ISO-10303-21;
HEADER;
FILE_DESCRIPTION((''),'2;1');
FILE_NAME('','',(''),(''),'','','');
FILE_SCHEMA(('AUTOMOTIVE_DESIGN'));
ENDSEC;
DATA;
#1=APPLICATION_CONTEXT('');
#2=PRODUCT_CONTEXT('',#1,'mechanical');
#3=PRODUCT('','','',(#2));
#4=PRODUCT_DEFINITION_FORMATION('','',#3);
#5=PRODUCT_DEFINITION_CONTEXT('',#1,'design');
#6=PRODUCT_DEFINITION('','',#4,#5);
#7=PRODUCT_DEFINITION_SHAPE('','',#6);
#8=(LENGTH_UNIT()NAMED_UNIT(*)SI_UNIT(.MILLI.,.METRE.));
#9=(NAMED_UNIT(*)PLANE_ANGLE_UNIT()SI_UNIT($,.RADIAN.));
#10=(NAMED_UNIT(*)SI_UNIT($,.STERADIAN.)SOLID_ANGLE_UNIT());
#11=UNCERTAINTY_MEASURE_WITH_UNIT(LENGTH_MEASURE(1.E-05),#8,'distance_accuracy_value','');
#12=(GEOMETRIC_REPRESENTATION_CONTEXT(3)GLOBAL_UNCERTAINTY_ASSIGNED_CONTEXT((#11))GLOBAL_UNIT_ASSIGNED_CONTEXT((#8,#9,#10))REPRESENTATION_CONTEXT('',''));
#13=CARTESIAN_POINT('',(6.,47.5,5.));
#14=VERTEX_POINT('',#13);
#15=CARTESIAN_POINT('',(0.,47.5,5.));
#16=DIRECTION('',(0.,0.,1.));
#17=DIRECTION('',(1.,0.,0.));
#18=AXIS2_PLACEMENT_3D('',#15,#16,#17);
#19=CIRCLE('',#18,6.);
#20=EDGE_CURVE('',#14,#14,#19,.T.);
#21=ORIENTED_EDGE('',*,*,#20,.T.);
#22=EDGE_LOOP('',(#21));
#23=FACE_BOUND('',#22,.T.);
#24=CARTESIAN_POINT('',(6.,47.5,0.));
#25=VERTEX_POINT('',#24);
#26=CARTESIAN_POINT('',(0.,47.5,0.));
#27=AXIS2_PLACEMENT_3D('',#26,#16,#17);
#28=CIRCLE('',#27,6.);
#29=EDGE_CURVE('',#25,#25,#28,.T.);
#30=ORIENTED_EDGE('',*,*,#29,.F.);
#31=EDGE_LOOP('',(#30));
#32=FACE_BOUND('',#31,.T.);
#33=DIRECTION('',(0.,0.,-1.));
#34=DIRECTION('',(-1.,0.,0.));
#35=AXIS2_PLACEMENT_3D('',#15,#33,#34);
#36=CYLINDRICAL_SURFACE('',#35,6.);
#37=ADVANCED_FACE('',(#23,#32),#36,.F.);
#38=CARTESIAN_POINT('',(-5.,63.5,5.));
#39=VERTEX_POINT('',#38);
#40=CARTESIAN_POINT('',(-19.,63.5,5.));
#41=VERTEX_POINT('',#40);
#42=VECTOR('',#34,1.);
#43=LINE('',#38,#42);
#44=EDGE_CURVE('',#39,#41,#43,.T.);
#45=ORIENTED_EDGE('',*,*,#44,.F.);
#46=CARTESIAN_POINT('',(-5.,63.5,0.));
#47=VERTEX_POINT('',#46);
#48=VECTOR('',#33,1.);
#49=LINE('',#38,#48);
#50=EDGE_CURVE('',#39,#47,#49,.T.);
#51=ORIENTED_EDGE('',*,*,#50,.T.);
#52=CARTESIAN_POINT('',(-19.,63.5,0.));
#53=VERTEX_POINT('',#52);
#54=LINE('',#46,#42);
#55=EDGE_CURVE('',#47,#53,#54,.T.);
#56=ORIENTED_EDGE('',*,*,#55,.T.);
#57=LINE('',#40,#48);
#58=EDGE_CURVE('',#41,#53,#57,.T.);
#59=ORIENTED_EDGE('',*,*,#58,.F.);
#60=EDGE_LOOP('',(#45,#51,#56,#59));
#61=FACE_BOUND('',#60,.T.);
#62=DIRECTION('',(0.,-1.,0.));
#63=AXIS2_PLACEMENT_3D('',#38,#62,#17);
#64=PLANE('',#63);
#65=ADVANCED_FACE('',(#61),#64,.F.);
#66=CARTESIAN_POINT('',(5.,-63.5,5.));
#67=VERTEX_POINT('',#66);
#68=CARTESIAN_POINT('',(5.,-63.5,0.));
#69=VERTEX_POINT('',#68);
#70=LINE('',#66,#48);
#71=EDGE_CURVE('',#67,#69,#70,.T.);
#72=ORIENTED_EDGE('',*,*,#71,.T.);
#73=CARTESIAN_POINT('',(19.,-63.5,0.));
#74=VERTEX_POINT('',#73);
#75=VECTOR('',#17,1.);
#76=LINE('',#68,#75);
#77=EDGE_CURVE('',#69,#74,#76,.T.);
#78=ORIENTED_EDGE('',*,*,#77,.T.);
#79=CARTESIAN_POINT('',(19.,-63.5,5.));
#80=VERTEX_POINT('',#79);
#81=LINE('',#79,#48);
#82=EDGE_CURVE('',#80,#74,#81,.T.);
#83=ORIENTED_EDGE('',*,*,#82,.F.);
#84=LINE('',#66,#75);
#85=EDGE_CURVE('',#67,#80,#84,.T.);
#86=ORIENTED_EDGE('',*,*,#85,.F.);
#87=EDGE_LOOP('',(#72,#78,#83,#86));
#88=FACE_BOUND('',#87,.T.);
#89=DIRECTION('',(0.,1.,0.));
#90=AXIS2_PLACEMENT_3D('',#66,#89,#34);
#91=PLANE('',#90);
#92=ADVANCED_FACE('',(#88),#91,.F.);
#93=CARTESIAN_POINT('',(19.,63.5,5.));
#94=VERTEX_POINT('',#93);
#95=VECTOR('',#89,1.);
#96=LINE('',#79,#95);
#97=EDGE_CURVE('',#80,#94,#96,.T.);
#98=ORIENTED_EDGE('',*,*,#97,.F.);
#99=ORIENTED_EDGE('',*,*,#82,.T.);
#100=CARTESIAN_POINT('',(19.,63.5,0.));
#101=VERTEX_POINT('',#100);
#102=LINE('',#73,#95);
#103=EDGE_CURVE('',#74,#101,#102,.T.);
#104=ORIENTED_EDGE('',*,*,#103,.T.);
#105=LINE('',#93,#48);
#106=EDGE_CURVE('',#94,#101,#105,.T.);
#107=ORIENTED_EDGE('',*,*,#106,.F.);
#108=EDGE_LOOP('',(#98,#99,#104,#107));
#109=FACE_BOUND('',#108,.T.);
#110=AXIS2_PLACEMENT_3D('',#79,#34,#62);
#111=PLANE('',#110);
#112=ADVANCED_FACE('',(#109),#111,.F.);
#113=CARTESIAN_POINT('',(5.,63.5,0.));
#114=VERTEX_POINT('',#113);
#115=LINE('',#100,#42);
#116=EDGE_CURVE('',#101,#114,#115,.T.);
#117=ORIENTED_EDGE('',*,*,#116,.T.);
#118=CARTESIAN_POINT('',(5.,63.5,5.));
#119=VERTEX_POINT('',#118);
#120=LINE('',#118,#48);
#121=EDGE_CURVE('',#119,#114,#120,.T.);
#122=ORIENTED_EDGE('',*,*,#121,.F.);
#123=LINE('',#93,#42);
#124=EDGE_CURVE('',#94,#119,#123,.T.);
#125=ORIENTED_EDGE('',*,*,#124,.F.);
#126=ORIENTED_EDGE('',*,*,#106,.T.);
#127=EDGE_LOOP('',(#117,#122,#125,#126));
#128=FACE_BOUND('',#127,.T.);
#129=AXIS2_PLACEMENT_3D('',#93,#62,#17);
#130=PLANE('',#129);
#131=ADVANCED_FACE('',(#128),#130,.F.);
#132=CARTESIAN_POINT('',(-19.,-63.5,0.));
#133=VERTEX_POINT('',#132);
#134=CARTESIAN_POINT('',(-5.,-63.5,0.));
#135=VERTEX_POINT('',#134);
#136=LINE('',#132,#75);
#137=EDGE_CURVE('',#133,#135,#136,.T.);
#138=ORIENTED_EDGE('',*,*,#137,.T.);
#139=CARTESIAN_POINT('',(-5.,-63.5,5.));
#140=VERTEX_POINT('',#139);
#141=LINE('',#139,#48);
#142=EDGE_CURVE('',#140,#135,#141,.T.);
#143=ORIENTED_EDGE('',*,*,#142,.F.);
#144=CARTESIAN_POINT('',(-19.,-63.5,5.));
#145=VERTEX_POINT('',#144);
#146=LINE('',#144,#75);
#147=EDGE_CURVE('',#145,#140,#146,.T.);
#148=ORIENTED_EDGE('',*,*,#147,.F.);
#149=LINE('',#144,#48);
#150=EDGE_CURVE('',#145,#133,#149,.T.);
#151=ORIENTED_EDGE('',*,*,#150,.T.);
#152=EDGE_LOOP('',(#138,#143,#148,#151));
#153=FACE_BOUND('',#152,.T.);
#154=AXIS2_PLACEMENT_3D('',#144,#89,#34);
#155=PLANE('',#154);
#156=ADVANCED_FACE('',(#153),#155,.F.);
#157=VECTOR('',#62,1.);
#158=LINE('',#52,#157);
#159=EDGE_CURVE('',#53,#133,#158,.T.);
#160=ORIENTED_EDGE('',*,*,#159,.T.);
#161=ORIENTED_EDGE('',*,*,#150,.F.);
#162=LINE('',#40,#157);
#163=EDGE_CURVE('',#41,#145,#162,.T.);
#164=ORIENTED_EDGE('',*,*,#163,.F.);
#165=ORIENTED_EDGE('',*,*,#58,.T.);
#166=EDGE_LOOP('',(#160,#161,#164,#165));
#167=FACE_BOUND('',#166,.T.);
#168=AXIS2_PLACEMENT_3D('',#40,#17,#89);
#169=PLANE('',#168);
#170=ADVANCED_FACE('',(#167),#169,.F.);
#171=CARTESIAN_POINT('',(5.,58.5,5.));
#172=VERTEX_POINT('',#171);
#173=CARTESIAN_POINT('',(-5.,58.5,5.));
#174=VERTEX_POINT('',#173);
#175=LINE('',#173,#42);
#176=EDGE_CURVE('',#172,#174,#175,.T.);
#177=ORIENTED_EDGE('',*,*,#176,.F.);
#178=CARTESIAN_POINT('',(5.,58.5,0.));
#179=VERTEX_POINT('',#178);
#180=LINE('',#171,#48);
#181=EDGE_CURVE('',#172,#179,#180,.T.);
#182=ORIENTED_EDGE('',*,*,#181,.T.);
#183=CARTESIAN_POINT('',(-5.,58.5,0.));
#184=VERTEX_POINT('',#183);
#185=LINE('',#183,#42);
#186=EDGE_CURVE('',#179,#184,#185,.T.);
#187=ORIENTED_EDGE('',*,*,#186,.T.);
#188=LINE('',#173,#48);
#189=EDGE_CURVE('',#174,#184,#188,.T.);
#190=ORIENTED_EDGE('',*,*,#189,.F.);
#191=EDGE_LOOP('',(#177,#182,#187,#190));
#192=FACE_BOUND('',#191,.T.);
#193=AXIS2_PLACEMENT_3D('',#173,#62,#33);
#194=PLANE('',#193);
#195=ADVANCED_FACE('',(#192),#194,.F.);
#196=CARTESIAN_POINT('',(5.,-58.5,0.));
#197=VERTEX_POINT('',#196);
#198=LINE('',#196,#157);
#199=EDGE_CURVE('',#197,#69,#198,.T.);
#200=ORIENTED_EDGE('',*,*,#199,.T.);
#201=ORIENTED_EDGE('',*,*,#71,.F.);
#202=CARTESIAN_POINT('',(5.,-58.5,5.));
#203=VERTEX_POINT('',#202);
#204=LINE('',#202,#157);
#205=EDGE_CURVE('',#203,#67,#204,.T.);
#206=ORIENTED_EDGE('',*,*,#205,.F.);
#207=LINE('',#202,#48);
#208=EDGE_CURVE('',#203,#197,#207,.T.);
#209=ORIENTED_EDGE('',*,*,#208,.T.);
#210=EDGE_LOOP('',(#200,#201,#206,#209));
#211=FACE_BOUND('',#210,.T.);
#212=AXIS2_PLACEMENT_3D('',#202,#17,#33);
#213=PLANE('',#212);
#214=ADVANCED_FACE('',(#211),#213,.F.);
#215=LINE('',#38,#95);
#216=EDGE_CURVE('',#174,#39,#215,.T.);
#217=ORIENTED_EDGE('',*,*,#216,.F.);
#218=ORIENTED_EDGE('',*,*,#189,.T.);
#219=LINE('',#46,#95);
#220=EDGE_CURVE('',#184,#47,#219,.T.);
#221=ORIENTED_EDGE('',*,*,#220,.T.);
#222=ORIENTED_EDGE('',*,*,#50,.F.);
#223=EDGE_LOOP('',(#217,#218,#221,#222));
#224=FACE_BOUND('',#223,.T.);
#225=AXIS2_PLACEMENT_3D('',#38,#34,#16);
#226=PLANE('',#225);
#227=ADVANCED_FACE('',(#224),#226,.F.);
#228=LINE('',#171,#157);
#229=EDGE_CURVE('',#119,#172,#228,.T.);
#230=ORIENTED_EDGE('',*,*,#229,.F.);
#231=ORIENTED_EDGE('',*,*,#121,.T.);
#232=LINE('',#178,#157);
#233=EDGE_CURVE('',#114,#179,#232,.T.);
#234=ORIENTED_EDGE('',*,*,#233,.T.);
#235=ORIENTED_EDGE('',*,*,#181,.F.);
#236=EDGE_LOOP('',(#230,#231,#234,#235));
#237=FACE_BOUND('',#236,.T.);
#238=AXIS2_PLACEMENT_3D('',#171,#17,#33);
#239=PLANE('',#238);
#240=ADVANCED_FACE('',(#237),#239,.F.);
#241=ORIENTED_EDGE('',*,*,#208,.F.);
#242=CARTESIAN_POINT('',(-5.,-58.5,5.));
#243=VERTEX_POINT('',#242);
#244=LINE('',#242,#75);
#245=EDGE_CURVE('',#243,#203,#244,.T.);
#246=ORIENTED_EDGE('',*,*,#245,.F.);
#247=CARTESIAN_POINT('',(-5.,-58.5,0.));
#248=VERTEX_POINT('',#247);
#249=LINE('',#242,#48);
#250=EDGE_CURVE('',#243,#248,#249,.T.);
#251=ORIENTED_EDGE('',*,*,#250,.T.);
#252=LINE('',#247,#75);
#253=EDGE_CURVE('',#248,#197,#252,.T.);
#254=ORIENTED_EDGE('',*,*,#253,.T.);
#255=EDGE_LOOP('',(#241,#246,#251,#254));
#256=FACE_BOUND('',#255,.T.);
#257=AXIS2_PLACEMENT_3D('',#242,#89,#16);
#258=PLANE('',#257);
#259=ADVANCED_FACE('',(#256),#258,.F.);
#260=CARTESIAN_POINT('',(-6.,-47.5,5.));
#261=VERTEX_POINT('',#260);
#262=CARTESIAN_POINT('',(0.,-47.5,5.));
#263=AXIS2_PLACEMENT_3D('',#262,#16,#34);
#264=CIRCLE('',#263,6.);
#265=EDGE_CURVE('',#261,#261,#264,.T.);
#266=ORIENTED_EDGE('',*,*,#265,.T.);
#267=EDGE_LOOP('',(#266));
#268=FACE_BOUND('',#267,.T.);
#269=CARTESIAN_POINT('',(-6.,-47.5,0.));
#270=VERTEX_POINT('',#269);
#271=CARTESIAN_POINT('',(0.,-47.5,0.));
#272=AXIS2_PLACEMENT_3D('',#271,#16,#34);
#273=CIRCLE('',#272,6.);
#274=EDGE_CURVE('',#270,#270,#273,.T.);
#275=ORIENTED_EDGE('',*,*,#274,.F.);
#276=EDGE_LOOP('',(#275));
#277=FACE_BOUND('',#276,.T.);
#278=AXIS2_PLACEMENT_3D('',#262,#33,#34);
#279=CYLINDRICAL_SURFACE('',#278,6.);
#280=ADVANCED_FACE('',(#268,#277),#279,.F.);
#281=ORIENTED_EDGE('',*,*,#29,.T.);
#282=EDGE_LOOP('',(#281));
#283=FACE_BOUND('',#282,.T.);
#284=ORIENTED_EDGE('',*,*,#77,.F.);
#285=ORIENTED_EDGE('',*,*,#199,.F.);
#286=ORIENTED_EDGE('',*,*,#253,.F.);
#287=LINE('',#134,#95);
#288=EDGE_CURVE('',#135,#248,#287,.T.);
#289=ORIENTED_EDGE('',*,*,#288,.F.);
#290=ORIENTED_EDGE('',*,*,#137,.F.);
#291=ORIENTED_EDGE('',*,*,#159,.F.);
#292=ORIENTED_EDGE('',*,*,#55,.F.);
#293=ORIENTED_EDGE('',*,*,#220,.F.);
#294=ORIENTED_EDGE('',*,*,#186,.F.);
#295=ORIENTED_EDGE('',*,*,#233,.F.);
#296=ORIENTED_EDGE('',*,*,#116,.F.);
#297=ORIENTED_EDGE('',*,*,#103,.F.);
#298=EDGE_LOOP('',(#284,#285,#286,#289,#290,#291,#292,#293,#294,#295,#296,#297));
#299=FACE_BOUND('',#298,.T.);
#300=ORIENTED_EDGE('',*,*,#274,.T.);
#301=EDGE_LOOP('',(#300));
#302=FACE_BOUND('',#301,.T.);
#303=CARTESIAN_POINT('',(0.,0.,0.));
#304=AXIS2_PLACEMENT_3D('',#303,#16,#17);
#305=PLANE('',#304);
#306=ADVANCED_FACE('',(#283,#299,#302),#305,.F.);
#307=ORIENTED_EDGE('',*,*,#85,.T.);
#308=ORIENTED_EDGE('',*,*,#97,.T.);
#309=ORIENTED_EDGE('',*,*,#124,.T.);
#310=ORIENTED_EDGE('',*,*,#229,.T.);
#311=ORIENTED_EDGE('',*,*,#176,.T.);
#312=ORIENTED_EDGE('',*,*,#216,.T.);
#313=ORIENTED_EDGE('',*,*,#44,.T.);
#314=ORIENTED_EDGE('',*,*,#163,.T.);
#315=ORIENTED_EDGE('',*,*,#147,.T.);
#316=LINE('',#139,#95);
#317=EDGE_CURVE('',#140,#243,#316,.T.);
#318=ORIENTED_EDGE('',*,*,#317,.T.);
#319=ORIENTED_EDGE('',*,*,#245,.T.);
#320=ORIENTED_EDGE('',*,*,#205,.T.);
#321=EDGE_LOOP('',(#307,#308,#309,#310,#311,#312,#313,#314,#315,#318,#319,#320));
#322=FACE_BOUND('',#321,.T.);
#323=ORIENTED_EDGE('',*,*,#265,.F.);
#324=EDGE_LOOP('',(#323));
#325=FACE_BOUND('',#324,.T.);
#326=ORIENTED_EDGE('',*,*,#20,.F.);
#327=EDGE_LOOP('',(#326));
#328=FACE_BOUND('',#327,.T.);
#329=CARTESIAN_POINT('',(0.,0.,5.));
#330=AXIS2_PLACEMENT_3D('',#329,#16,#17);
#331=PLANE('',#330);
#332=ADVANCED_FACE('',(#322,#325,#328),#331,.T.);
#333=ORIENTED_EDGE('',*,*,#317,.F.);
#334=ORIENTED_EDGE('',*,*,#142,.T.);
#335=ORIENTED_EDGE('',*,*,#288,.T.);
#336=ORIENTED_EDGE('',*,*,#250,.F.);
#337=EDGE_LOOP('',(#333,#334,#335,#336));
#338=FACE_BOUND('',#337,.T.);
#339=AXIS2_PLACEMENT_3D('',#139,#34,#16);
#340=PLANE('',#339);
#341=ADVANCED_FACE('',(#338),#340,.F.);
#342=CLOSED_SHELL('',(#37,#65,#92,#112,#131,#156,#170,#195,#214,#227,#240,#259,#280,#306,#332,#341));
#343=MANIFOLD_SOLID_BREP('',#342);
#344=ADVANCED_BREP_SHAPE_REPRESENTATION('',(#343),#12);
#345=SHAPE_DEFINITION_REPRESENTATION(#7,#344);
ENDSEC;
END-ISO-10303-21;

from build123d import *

# Parameters (mm, degrees)
SKETCH2_R           = 6
BOSS_EXTRUDE1_DEPTH = 5


with BuildPart() as part:
    # Sketch2 → Boss-Extrude1 (new body)
    with BuildSketch(Plane.XY):
        Polygon((-5, 63.5), (-19, 63.5), (-19, -63.5), (-5, -63.5), (-5, -58.5), (5, -58.5), (5, -63.5), (19, -63.5), (19, 63.5), (5, 63.5), (5, 58.5), (-5, 58.5), align=None)
        with Locations((0, -47.5)):
            Circle(SKETCH2_R, mode=Mode.SUBTRACT)
        with Locations((0, 47.5)):
            Circle(SKETCH2_R, mode=Mode.SUBTRACT)
    extrude(amount=BOSS_EXTRUDE1_DEPTH)


solid = part.part
